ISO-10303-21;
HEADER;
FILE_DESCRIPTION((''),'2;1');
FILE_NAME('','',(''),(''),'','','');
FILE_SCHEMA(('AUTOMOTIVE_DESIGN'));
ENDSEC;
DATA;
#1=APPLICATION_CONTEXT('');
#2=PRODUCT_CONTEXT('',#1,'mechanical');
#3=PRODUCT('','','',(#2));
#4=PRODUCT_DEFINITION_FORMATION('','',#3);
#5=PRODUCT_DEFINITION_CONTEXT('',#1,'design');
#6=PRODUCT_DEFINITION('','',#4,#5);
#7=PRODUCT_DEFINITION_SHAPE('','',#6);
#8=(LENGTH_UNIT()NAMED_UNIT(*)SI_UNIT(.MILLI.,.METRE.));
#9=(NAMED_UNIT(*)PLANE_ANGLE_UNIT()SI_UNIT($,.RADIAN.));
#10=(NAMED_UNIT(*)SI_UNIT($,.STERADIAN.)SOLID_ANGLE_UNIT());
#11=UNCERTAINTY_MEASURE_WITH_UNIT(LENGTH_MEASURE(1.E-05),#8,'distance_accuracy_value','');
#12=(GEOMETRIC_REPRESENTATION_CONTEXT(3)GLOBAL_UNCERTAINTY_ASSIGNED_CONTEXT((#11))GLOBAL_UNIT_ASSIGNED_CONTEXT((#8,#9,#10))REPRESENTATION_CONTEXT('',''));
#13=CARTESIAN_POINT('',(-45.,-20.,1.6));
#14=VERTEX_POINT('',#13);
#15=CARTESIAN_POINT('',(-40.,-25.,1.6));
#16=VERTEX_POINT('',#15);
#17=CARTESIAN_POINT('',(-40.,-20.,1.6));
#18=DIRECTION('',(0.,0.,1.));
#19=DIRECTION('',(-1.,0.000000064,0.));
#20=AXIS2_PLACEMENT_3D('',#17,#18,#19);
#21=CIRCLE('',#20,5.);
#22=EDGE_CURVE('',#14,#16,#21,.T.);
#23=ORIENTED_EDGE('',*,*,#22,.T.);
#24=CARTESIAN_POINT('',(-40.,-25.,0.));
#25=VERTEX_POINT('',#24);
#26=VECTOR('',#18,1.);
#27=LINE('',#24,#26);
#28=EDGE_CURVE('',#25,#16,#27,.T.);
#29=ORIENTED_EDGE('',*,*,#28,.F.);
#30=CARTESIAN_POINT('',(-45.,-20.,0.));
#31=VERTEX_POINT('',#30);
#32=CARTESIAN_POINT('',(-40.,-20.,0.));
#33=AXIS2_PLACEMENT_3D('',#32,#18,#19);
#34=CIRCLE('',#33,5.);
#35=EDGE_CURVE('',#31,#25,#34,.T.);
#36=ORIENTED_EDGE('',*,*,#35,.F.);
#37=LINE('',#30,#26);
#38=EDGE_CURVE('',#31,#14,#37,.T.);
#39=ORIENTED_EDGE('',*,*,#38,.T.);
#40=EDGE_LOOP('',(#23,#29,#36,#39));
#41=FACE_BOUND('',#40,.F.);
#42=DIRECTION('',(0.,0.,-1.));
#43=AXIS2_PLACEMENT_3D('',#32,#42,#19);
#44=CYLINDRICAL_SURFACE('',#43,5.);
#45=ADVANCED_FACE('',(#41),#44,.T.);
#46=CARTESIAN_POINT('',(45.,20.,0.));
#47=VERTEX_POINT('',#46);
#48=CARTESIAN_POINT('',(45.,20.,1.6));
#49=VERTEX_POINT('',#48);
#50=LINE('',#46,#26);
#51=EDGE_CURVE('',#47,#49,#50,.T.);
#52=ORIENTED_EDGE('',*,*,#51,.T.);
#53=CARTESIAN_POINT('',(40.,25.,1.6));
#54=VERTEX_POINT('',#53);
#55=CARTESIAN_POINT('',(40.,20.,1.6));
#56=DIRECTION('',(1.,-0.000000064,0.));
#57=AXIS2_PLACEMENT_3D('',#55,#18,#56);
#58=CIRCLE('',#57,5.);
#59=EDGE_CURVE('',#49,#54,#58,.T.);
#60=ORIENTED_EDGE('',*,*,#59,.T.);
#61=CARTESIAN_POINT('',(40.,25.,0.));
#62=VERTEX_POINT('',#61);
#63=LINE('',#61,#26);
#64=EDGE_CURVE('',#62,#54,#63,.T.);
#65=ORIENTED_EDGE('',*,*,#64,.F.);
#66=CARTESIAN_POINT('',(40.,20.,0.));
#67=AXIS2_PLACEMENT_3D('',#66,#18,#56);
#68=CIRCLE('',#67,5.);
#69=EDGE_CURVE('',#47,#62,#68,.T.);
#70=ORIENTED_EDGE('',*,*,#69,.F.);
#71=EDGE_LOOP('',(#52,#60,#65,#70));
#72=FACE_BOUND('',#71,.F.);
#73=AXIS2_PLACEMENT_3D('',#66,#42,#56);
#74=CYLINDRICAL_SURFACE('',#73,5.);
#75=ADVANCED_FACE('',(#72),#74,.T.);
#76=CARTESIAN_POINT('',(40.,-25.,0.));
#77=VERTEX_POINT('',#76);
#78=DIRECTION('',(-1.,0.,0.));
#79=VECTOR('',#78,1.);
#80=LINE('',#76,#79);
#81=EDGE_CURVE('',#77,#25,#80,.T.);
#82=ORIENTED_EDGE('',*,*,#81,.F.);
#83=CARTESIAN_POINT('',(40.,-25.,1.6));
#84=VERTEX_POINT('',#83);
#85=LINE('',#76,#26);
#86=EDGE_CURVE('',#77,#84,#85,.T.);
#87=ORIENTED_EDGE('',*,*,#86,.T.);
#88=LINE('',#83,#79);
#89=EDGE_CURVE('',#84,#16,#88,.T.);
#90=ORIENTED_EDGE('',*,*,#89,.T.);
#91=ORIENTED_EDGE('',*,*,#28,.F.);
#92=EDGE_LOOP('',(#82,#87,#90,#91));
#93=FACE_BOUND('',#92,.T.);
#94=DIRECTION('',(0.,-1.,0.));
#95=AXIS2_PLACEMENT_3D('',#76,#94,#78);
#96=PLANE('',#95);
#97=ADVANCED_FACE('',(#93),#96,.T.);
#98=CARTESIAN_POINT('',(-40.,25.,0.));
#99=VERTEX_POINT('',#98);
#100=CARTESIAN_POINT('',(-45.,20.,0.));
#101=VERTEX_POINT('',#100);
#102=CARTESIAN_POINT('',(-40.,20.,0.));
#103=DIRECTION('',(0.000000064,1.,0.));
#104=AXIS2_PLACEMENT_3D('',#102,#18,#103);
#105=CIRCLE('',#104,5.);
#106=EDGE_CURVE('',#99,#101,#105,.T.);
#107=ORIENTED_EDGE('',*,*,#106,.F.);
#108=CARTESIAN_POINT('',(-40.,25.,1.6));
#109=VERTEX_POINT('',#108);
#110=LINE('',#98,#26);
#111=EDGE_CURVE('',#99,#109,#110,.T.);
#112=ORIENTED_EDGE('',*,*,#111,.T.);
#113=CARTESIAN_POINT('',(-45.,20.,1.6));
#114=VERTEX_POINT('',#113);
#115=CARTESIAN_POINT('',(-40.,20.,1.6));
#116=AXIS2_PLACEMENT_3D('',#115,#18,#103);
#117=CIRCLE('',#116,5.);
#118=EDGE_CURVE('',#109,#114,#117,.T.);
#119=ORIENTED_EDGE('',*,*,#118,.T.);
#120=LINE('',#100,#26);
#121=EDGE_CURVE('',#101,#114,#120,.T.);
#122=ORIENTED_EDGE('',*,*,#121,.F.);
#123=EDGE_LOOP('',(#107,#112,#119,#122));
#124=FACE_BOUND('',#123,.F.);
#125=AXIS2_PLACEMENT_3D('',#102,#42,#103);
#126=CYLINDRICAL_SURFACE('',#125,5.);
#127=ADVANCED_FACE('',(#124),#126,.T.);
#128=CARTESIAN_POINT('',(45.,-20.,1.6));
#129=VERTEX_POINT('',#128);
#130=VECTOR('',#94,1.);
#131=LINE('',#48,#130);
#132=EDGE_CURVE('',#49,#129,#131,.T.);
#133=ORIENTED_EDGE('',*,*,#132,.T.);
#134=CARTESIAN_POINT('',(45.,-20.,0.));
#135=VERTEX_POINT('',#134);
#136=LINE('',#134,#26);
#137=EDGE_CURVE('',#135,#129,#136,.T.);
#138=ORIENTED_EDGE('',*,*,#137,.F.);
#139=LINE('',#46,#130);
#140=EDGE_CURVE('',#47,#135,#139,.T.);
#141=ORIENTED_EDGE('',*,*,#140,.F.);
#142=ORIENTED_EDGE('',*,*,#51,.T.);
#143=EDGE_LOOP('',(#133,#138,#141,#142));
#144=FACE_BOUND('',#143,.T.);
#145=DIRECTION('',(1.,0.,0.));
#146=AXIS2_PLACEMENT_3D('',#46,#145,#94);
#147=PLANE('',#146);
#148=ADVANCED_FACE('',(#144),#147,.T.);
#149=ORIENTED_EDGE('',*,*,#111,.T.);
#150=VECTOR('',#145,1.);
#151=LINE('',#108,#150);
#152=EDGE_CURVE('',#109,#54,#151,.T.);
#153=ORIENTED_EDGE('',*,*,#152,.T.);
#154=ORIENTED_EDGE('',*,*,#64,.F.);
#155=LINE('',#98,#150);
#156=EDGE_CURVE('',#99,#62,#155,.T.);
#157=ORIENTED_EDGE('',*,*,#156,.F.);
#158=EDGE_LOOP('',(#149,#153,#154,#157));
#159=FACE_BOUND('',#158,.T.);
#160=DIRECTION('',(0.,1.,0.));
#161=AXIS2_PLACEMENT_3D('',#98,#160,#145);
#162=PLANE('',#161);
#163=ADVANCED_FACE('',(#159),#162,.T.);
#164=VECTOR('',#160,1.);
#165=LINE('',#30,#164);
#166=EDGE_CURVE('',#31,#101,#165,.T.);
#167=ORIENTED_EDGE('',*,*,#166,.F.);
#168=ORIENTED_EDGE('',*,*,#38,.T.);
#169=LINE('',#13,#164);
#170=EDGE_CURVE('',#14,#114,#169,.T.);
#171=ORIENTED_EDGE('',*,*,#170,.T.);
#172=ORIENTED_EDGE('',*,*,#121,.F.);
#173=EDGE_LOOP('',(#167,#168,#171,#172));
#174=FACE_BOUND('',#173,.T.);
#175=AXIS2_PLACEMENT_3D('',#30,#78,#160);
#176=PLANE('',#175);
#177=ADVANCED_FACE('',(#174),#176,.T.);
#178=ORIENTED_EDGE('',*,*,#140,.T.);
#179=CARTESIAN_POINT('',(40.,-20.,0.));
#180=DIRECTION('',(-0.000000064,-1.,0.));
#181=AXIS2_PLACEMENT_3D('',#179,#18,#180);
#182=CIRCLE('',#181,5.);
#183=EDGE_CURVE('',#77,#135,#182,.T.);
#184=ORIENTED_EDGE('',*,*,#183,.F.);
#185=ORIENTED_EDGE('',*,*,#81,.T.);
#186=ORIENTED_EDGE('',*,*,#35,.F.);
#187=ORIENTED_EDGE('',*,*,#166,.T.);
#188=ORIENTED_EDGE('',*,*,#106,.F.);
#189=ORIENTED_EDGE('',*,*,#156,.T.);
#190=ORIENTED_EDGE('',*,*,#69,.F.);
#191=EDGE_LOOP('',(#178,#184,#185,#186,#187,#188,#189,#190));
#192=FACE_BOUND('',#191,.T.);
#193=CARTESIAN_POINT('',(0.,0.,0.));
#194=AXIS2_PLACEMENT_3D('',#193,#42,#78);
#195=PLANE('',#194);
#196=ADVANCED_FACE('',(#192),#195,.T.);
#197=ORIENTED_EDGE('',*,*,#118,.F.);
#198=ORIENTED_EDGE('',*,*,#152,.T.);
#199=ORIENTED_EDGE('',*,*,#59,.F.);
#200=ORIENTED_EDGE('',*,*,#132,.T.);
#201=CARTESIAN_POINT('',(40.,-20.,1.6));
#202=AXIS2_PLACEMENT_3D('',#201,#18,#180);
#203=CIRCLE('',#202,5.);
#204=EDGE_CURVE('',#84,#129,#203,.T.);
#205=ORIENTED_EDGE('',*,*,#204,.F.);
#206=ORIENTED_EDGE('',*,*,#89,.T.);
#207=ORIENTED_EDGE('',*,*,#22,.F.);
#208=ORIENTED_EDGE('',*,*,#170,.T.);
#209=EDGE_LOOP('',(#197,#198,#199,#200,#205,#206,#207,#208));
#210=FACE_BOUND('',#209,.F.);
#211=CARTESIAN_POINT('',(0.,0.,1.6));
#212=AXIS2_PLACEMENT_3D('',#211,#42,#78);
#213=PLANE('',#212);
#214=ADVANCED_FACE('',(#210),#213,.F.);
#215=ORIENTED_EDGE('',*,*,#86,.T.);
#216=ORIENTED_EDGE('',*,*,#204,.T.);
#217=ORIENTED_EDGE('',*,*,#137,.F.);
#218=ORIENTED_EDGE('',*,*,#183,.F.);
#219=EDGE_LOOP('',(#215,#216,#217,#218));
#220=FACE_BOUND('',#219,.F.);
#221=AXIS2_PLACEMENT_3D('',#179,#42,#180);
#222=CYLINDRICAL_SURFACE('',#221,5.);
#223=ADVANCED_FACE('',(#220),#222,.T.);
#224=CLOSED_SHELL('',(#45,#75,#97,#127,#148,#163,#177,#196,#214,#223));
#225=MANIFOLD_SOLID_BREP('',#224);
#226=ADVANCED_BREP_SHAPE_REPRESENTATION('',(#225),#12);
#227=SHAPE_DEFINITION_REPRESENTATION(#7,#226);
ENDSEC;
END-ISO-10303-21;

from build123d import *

# Parameters (mm, degrees)
PAD_DEPTH = 1.6


with BuildPart() as part:
    # Sketch → Pad (new body)
    with BuildSketch(Plane.XY):
        with BuildLine():
            Line((-40, 25), (40, 25))
            ThreePointArc((45, 20), (43.535534, 23.535534), (40, 25))
            Line((45, 20), (45, -20))
            ThreePointArc((40, -25), (43.535534, -23.535534), (45, -20))
            Line((40, -25), (-40, -25))
            ThreePointArc((-45, -20), (-43.535534, -23.535534), (-40, -25))
            Line((-45, -20), (-45, 20))
            ThreePointArc((-40, 25), (-43.535534, 23.535534), (-45, 20))
        make_face()
    extrude(amount=PAD_DEPTH)


solid = part.part
